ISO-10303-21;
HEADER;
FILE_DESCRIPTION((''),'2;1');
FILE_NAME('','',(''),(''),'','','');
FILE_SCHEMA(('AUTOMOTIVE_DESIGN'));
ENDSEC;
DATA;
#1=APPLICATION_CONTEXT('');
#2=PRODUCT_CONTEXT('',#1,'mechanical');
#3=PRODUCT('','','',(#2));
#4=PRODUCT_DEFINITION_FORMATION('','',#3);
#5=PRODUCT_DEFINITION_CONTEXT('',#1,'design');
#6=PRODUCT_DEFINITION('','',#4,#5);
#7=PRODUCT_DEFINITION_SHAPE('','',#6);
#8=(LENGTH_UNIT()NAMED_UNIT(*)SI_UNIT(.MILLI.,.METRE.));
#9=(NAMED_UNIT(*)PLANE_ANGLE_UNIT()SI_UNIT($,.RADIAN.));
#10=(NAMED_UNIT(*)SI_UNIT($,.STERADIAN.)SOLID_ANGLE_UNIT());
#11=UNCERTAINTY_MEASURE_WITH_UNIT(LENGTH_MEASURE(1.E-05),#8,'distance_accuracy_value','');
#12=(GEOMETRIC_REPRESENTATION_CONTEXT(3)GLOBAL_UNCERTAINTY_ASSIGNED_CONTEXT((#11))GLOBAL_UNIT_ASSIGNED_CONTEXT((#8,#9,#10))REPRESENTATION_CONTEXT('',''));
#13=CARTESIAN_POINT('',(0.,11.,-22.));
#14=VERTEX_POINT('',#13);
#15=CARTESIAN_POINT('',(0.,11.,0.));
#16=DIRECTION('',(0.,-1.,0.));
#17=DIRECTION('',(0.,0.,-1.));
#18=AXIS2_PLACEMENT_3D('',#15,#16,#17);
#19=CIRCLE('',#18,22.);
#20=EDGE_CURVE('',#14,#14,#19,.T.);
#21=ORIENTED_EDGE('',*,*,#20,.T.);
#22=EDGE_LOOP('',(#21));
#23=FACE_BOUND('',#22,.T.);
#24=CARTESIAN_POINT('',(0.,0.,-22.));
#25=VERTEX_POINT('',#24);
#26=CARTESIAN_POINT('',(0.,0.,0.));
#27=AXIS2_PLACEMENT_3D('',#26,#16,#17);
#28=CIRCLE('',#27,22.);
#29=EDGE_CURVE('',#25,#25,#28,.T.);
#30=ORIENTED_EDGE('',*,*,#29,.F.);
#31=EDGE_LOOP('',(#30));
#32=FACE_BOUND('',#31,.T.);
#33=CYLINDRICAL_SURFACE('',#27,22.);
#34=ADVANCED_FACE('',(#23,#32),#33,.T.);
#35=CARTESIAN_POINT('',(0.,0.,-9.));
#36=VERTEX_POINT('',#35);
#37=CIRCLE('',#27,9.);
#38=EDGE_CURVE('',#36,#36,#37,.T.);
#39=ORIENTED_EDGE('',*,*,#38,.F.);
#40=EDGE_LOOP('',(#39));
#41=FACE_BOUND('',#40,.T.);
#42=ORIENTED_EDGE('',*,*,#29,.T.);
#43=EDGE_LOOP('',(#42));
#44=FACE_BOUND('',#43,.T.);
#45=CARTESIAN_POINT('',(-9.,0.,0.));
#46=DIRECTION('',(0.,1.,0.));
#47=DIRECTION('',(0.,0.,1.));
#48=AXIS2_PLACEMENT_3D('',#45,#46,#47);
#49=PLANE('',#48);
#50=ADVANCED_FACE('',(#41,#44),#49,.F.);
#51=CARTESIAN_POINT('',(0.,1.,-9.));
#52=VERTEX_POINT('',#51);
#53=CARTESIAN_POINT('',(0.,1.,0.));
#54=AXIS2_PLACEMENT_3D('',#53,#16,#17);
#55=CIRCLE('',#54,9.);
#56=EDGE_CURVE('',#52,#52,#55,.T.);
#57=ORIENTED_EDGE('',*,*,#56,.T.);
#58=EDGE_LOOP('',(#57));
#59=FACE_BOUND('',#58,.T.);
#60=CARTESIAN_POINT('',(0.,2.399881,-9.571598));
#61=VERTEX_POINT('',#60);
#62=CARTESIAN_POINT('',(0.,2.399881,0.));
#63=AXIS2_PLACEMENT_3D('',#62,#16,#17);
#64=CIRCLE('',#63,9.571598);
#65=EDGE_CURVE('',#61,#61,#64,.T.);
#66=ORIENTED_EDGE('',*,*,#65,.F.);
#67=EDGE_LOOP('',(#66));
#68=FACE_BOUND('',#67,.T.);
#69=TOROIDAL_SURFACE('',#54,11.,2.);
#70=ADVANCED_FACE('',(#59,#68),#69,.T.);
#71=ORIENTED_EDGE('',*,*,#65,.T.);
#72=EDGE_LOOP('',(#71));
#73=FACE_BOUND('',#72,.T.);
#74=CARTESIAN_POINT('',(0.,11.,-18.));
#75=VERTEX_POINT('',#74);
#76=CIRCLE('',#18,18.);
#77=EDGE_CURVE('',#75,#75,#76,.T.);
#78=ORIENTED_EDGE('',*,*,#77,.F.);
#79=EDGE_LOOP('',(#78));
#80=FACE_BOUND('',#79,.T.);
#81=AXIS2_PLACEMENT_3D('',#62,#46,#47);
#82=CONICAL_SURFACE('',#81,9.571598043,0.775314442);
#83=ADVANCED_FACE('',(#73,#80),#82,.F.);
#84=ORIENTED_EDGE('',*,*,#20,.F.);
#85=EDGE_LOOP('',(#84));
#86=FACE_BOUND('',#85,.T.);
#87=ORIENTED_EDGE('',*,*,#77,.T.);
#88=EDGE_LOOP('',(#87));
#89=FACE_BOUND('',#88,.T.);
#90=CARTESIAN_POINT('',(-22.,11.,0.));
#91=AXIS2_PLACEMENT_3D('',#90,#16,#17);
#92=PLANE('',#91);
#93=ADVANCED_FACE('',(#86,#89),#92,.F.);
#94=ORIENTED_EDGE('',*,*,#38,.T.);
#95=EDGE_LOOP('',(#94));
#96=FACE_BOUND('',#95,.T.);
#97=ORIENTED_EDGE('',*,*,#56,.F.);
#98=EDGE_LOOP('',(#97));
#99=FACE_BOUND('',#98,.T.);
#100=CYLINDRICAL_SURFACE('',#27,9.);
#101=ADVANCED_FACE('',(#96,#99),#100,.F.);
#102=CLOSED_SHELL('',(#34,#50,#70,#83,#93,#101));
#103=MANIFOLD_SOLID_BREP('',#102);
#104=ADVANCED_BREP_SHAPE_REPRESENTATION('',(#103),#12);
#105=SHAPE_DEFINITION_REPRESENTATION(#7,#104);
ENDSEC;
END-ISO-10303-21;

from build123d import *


with BuildPart() as part:
    # Esquisse2 → Révolution1 (revolve)
    with BuildSketch(Plane.XY, mode=Mode.PRIVATE) as r_volution1_sk:
        with BuildLine():
            Line((-9, 0), (-22, 0))
            Line((-22, 0), (-22, 11))
            Line((-22, 11), (-18, 11))
            Line((-18, 11), (-9.571598043, 2.39988137))
            ThreePointArc((-9.571598043, 2.39988137), (-9.148405564, 1.756041033), (-9, 1))
            Line((-9, 1), (-9, 0))
        make_face()
    revolve(r_volution1_sk.sketch.rotate(Axis((0, 0, 0), (0, 1, 0)), 270), axis=Axis((0, 0, 0), (0, 1, 0)))


solid = part.part
